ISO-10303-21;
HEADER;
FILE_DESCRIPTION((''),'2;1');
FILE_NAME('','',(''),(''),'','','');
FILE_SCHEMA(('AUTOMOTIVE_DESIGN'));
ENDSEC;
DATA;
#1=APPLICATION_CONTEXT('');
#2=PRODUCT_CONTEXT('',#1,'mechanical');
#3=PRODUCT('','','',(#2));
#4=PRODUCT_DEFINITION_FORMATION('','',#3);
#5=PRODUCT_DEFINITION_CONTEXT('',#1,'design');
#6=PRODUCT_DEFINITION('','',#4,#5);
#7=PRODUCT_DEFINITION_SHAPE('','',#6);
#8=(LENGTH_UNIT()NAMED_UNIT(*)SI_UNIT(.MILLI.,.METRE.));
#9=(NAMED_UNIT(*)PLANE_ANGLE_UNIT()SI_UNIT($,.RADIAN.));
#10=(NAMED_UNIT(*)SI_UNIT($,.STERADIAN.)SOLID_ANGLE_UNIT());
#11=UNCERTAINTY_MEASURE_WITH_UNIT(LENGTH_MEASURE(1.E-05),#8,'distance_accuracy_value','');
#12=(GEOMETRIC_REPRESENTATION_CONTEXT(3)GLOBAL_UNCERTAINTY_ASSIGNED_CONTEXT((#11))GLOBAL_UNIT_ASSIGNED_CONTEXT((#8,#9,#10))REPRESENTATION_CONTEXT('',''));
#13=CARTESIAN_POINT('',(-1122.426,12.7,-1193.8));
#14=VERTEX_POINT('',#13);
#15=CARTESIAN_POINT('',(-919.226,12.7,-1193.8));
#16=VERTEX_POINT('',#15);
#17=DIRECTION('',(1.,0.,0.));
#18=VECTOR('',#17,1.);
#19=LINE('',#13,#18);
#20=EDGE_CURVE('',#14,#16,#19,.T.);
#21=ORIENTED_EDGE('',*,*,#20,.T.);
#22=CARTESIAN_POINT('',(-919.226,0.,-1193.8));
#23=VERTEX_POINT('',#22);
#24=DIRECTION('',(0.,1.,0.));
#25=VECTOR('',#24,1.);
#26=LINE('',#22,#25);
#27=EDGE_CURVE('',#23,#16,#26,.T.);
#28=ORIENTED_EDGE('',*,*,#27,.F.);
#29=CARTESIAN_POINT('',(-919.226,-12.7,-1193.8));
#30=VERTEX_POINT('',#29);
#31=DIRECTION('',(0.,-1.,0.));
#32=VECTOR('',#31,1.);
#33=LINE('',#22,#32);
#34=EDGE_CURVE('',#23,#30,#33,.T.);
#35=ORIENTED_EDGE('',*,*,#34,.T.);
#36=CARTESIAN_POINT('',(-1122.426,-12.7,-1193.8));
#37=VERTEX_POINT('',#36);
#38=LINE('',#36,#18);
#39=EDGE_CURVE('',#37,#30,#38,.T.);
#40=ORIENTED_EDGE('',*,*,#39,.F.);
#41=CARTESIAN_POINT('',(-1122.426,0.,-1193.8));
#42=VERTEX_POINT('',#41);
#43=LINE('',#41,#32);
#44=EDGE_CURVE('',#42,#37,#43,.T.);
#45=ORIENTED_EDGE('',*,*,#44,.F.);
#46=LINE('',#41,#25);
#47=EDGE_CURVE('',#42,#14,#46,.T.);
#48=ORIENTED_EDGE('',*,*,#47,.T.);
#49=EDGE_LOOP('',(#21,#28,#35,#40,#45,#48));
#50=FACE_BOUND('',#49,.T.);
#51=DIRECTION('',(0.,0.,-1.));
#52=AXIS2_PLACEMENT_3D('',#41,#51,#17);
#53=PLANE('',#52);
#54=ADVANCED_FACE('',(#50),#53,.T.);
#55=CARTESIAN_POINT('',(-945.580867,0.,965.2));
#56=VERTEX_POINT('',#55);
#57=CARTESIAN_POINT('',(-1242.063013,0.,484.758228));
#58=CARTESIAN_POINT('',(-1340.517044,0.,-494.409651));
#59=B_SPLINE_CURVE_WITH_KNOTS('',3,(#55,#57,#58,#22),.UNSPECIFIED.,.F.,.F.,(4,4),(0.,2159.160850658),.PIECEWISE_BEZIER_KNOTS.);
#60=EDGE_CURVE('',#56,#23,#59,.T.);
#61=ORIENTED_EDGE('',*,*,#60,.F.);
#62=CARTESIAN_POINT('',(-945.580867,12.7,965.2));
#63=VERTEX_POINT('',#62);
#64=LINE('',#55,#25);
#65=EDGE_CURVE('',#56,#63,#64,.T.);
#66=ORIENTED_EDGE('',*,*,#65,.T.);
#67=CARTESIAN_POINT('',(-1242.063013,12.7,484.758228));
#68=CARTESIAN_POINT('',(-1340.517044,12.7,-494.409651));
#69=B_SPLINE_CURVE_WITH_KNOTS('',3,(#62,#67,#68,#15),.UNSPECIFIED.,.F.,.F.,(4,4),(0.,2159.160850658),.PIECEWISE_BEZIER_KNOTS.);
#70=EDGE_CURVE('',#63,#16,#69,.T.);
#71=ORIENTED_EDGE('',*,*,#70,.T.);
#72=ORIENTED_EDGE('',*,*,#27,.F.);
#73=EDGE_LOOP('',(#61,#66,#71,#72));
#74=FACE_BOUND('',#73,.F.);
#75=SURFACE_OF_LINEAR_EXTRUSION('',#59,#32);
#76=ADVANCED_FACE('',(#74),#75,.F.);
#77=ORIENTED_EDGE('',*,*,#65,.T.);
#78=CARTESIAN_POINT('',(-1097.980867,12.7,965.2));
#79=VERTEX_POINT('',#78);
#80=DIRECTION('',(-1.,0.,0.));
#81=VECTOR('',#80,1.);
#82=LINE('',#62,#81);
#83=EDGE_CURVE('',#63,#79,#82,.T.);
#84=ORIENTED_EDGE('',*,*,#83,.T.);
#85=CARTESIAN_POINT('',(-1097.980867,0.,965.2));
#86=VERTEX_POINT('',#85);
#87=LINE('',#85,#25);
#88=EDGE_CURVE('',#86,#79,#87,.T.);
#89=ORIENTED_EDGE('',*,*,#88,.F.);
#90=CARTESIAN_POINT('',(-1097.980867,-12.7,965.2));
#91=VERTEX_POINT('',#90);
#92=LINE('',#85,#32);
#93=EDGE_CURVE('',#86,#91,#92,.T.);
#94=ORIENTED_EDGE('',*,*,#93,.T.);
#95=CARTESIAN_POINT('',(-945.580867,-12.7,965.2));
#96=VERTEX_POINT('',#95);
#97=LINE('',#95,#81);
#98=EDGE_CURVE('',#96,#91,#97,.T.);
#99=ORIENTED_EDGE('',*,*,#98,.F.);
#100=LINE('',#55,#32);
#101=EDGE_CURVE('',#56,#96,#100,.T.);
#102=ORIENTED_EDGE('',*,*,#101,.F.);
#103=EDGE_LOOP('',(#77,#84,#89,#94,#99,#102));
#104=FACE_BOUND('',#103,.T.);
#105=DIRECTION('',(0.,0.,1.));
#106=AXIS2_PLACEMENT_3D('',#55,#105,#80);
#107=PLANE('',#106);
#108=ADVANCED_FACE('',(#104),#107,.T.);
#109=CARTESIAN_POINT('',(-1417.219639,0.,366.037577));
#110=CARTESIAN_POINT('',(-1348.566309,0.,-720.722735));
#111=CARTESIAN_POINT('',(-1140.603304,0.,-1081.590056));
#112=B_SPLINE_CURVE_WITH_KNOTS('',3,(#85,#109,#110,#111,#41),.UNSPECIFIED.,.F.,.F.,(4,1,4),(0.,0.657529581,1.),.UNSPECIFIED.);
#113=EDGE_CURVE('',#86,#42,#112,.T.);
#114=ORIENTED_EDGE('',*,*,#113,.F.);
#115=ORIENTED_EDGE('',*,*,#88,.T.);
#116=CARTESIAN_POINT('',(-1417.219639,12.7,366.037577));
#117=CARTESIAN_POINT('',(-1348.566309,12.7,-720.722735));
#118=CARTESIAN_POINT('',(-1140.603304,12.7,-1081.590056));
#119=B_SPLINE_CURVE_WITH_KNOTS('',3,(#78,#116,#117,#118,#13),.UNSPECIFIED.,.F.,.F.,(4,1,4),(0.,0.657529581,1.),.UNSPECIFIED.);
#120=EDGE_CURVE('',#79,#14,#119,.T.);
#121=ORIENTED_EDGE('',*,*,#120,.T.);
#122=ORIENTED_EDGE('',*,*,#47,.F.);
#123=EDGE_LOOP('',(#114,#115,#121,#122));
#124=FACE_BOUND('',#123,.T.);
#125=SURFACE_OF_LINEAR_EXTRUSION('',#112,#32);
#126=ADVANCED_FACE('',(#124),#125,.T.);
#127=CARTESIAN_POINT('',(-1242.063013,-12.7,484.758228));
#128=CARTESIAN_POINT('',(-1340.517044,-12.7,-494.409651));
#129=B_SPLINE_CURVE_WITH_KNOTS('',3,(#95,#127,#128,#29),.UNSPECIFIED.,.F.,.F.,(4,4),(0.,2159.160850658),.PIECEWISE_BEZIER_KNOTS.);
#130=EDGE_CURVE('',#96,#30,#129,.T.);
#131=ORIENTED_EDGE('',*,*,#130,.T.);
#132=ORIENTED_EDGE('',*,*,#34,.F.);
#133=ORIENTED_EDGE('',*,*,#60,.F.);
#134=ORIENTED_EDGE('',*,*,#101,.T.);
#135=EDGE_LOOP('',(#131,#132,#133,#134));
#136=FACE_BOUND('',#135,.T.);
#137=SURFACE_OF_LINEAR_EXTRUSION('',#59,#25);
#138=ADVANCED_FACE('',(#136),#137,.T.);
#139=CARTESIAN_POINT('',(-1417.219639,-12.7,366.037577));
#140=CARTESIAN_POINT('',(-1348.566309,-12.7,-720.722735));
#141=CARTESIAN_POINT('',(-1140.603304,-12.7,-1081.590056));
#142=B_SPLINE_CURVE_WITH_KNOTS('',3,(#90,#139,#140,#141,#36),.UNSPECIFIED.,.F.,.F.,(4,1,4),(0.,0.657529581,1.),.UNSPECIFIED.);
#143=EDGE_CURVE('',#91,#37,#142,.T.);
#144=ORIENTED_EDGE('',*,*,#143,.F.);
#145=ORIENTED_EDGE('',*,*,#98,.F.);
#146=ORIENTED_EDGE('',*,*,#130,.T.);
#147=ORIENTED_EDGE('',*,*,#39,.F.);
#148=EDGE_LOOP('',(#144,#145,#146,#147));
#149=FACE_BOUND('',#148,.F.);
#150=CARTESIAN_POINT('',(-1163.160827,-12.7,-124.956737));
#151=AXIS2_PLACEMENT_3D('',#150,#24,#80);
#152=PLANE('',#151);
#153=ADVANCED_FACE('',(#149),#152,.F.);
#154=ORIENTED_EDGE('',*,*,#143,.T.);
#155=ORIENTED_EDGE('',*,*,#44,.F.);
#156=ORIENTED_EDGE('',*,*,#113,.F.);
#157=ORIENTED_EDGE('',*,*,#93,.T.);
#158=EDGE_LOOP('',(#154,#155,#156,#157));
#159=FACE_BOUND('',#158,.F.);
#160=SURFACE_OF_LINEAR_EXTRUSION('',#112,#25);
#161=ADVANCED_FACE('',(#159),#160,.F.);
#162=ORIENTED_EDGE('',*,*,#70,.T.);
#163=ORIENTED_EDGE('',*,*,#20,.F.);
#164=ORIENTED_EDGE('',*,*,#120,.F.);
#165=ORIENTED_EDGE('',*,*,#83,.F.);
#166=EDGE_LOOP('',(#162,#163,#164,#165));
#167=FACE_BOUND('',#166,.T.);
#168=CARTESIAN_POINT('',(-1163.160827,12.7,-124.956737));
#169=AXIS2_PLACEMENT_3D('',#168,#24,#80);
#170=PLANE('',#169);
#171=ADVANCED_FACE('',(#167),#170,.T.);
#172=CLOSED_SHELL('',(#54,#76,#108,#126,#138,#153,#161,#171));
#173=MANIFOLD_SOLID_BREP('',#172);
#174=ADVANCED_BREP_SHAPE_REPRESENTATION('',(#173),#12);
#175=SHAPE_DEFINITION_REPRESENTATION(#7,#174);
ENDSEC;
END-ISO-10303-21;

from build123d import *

# Parameters (mm, degrees)
F1_DEPTH = 12.7


with BuildPart() as f1:
    # F0 (on Front) → F1 (new body, symmetric)
    with BuildSketch(Plane.XZ):
        with BuildLine():
            add(Edge.make_bspline(
                [(-945.5808670162, 965.2), (-1242.0630128025, 484.7582280636), (-1340.5170440674, -494.4096505642), (-919.226, -1193.8)],
                knots=[0, 0, 0, 0, 2159.1608506583, 2159.1608506583, 2159.1608506583, 2159.1608506583], degree=3))
            Line((-945.5808670162, 965.2), (-1097.9808670162, 965.2))
            add(Edge.make_bspline(
                [(-1097.9808670162, 965.2), (-1417.2196388245, 366.0375773907), (-1348.5663086676, -720.7227352137), (-1140.6033039093, -1081.5900564194), (-1122.426, -1193.8)],
                knots=[0, 0, 0, 0, 0.6575295809, 1, 1, 1, 1], degree=3))
            Line((-1122.426, -1193.8), (-919.226, -1193.8))
        make_face()
    extrude(amount=F1_DEPTH, both=True)


solid = f1.part
